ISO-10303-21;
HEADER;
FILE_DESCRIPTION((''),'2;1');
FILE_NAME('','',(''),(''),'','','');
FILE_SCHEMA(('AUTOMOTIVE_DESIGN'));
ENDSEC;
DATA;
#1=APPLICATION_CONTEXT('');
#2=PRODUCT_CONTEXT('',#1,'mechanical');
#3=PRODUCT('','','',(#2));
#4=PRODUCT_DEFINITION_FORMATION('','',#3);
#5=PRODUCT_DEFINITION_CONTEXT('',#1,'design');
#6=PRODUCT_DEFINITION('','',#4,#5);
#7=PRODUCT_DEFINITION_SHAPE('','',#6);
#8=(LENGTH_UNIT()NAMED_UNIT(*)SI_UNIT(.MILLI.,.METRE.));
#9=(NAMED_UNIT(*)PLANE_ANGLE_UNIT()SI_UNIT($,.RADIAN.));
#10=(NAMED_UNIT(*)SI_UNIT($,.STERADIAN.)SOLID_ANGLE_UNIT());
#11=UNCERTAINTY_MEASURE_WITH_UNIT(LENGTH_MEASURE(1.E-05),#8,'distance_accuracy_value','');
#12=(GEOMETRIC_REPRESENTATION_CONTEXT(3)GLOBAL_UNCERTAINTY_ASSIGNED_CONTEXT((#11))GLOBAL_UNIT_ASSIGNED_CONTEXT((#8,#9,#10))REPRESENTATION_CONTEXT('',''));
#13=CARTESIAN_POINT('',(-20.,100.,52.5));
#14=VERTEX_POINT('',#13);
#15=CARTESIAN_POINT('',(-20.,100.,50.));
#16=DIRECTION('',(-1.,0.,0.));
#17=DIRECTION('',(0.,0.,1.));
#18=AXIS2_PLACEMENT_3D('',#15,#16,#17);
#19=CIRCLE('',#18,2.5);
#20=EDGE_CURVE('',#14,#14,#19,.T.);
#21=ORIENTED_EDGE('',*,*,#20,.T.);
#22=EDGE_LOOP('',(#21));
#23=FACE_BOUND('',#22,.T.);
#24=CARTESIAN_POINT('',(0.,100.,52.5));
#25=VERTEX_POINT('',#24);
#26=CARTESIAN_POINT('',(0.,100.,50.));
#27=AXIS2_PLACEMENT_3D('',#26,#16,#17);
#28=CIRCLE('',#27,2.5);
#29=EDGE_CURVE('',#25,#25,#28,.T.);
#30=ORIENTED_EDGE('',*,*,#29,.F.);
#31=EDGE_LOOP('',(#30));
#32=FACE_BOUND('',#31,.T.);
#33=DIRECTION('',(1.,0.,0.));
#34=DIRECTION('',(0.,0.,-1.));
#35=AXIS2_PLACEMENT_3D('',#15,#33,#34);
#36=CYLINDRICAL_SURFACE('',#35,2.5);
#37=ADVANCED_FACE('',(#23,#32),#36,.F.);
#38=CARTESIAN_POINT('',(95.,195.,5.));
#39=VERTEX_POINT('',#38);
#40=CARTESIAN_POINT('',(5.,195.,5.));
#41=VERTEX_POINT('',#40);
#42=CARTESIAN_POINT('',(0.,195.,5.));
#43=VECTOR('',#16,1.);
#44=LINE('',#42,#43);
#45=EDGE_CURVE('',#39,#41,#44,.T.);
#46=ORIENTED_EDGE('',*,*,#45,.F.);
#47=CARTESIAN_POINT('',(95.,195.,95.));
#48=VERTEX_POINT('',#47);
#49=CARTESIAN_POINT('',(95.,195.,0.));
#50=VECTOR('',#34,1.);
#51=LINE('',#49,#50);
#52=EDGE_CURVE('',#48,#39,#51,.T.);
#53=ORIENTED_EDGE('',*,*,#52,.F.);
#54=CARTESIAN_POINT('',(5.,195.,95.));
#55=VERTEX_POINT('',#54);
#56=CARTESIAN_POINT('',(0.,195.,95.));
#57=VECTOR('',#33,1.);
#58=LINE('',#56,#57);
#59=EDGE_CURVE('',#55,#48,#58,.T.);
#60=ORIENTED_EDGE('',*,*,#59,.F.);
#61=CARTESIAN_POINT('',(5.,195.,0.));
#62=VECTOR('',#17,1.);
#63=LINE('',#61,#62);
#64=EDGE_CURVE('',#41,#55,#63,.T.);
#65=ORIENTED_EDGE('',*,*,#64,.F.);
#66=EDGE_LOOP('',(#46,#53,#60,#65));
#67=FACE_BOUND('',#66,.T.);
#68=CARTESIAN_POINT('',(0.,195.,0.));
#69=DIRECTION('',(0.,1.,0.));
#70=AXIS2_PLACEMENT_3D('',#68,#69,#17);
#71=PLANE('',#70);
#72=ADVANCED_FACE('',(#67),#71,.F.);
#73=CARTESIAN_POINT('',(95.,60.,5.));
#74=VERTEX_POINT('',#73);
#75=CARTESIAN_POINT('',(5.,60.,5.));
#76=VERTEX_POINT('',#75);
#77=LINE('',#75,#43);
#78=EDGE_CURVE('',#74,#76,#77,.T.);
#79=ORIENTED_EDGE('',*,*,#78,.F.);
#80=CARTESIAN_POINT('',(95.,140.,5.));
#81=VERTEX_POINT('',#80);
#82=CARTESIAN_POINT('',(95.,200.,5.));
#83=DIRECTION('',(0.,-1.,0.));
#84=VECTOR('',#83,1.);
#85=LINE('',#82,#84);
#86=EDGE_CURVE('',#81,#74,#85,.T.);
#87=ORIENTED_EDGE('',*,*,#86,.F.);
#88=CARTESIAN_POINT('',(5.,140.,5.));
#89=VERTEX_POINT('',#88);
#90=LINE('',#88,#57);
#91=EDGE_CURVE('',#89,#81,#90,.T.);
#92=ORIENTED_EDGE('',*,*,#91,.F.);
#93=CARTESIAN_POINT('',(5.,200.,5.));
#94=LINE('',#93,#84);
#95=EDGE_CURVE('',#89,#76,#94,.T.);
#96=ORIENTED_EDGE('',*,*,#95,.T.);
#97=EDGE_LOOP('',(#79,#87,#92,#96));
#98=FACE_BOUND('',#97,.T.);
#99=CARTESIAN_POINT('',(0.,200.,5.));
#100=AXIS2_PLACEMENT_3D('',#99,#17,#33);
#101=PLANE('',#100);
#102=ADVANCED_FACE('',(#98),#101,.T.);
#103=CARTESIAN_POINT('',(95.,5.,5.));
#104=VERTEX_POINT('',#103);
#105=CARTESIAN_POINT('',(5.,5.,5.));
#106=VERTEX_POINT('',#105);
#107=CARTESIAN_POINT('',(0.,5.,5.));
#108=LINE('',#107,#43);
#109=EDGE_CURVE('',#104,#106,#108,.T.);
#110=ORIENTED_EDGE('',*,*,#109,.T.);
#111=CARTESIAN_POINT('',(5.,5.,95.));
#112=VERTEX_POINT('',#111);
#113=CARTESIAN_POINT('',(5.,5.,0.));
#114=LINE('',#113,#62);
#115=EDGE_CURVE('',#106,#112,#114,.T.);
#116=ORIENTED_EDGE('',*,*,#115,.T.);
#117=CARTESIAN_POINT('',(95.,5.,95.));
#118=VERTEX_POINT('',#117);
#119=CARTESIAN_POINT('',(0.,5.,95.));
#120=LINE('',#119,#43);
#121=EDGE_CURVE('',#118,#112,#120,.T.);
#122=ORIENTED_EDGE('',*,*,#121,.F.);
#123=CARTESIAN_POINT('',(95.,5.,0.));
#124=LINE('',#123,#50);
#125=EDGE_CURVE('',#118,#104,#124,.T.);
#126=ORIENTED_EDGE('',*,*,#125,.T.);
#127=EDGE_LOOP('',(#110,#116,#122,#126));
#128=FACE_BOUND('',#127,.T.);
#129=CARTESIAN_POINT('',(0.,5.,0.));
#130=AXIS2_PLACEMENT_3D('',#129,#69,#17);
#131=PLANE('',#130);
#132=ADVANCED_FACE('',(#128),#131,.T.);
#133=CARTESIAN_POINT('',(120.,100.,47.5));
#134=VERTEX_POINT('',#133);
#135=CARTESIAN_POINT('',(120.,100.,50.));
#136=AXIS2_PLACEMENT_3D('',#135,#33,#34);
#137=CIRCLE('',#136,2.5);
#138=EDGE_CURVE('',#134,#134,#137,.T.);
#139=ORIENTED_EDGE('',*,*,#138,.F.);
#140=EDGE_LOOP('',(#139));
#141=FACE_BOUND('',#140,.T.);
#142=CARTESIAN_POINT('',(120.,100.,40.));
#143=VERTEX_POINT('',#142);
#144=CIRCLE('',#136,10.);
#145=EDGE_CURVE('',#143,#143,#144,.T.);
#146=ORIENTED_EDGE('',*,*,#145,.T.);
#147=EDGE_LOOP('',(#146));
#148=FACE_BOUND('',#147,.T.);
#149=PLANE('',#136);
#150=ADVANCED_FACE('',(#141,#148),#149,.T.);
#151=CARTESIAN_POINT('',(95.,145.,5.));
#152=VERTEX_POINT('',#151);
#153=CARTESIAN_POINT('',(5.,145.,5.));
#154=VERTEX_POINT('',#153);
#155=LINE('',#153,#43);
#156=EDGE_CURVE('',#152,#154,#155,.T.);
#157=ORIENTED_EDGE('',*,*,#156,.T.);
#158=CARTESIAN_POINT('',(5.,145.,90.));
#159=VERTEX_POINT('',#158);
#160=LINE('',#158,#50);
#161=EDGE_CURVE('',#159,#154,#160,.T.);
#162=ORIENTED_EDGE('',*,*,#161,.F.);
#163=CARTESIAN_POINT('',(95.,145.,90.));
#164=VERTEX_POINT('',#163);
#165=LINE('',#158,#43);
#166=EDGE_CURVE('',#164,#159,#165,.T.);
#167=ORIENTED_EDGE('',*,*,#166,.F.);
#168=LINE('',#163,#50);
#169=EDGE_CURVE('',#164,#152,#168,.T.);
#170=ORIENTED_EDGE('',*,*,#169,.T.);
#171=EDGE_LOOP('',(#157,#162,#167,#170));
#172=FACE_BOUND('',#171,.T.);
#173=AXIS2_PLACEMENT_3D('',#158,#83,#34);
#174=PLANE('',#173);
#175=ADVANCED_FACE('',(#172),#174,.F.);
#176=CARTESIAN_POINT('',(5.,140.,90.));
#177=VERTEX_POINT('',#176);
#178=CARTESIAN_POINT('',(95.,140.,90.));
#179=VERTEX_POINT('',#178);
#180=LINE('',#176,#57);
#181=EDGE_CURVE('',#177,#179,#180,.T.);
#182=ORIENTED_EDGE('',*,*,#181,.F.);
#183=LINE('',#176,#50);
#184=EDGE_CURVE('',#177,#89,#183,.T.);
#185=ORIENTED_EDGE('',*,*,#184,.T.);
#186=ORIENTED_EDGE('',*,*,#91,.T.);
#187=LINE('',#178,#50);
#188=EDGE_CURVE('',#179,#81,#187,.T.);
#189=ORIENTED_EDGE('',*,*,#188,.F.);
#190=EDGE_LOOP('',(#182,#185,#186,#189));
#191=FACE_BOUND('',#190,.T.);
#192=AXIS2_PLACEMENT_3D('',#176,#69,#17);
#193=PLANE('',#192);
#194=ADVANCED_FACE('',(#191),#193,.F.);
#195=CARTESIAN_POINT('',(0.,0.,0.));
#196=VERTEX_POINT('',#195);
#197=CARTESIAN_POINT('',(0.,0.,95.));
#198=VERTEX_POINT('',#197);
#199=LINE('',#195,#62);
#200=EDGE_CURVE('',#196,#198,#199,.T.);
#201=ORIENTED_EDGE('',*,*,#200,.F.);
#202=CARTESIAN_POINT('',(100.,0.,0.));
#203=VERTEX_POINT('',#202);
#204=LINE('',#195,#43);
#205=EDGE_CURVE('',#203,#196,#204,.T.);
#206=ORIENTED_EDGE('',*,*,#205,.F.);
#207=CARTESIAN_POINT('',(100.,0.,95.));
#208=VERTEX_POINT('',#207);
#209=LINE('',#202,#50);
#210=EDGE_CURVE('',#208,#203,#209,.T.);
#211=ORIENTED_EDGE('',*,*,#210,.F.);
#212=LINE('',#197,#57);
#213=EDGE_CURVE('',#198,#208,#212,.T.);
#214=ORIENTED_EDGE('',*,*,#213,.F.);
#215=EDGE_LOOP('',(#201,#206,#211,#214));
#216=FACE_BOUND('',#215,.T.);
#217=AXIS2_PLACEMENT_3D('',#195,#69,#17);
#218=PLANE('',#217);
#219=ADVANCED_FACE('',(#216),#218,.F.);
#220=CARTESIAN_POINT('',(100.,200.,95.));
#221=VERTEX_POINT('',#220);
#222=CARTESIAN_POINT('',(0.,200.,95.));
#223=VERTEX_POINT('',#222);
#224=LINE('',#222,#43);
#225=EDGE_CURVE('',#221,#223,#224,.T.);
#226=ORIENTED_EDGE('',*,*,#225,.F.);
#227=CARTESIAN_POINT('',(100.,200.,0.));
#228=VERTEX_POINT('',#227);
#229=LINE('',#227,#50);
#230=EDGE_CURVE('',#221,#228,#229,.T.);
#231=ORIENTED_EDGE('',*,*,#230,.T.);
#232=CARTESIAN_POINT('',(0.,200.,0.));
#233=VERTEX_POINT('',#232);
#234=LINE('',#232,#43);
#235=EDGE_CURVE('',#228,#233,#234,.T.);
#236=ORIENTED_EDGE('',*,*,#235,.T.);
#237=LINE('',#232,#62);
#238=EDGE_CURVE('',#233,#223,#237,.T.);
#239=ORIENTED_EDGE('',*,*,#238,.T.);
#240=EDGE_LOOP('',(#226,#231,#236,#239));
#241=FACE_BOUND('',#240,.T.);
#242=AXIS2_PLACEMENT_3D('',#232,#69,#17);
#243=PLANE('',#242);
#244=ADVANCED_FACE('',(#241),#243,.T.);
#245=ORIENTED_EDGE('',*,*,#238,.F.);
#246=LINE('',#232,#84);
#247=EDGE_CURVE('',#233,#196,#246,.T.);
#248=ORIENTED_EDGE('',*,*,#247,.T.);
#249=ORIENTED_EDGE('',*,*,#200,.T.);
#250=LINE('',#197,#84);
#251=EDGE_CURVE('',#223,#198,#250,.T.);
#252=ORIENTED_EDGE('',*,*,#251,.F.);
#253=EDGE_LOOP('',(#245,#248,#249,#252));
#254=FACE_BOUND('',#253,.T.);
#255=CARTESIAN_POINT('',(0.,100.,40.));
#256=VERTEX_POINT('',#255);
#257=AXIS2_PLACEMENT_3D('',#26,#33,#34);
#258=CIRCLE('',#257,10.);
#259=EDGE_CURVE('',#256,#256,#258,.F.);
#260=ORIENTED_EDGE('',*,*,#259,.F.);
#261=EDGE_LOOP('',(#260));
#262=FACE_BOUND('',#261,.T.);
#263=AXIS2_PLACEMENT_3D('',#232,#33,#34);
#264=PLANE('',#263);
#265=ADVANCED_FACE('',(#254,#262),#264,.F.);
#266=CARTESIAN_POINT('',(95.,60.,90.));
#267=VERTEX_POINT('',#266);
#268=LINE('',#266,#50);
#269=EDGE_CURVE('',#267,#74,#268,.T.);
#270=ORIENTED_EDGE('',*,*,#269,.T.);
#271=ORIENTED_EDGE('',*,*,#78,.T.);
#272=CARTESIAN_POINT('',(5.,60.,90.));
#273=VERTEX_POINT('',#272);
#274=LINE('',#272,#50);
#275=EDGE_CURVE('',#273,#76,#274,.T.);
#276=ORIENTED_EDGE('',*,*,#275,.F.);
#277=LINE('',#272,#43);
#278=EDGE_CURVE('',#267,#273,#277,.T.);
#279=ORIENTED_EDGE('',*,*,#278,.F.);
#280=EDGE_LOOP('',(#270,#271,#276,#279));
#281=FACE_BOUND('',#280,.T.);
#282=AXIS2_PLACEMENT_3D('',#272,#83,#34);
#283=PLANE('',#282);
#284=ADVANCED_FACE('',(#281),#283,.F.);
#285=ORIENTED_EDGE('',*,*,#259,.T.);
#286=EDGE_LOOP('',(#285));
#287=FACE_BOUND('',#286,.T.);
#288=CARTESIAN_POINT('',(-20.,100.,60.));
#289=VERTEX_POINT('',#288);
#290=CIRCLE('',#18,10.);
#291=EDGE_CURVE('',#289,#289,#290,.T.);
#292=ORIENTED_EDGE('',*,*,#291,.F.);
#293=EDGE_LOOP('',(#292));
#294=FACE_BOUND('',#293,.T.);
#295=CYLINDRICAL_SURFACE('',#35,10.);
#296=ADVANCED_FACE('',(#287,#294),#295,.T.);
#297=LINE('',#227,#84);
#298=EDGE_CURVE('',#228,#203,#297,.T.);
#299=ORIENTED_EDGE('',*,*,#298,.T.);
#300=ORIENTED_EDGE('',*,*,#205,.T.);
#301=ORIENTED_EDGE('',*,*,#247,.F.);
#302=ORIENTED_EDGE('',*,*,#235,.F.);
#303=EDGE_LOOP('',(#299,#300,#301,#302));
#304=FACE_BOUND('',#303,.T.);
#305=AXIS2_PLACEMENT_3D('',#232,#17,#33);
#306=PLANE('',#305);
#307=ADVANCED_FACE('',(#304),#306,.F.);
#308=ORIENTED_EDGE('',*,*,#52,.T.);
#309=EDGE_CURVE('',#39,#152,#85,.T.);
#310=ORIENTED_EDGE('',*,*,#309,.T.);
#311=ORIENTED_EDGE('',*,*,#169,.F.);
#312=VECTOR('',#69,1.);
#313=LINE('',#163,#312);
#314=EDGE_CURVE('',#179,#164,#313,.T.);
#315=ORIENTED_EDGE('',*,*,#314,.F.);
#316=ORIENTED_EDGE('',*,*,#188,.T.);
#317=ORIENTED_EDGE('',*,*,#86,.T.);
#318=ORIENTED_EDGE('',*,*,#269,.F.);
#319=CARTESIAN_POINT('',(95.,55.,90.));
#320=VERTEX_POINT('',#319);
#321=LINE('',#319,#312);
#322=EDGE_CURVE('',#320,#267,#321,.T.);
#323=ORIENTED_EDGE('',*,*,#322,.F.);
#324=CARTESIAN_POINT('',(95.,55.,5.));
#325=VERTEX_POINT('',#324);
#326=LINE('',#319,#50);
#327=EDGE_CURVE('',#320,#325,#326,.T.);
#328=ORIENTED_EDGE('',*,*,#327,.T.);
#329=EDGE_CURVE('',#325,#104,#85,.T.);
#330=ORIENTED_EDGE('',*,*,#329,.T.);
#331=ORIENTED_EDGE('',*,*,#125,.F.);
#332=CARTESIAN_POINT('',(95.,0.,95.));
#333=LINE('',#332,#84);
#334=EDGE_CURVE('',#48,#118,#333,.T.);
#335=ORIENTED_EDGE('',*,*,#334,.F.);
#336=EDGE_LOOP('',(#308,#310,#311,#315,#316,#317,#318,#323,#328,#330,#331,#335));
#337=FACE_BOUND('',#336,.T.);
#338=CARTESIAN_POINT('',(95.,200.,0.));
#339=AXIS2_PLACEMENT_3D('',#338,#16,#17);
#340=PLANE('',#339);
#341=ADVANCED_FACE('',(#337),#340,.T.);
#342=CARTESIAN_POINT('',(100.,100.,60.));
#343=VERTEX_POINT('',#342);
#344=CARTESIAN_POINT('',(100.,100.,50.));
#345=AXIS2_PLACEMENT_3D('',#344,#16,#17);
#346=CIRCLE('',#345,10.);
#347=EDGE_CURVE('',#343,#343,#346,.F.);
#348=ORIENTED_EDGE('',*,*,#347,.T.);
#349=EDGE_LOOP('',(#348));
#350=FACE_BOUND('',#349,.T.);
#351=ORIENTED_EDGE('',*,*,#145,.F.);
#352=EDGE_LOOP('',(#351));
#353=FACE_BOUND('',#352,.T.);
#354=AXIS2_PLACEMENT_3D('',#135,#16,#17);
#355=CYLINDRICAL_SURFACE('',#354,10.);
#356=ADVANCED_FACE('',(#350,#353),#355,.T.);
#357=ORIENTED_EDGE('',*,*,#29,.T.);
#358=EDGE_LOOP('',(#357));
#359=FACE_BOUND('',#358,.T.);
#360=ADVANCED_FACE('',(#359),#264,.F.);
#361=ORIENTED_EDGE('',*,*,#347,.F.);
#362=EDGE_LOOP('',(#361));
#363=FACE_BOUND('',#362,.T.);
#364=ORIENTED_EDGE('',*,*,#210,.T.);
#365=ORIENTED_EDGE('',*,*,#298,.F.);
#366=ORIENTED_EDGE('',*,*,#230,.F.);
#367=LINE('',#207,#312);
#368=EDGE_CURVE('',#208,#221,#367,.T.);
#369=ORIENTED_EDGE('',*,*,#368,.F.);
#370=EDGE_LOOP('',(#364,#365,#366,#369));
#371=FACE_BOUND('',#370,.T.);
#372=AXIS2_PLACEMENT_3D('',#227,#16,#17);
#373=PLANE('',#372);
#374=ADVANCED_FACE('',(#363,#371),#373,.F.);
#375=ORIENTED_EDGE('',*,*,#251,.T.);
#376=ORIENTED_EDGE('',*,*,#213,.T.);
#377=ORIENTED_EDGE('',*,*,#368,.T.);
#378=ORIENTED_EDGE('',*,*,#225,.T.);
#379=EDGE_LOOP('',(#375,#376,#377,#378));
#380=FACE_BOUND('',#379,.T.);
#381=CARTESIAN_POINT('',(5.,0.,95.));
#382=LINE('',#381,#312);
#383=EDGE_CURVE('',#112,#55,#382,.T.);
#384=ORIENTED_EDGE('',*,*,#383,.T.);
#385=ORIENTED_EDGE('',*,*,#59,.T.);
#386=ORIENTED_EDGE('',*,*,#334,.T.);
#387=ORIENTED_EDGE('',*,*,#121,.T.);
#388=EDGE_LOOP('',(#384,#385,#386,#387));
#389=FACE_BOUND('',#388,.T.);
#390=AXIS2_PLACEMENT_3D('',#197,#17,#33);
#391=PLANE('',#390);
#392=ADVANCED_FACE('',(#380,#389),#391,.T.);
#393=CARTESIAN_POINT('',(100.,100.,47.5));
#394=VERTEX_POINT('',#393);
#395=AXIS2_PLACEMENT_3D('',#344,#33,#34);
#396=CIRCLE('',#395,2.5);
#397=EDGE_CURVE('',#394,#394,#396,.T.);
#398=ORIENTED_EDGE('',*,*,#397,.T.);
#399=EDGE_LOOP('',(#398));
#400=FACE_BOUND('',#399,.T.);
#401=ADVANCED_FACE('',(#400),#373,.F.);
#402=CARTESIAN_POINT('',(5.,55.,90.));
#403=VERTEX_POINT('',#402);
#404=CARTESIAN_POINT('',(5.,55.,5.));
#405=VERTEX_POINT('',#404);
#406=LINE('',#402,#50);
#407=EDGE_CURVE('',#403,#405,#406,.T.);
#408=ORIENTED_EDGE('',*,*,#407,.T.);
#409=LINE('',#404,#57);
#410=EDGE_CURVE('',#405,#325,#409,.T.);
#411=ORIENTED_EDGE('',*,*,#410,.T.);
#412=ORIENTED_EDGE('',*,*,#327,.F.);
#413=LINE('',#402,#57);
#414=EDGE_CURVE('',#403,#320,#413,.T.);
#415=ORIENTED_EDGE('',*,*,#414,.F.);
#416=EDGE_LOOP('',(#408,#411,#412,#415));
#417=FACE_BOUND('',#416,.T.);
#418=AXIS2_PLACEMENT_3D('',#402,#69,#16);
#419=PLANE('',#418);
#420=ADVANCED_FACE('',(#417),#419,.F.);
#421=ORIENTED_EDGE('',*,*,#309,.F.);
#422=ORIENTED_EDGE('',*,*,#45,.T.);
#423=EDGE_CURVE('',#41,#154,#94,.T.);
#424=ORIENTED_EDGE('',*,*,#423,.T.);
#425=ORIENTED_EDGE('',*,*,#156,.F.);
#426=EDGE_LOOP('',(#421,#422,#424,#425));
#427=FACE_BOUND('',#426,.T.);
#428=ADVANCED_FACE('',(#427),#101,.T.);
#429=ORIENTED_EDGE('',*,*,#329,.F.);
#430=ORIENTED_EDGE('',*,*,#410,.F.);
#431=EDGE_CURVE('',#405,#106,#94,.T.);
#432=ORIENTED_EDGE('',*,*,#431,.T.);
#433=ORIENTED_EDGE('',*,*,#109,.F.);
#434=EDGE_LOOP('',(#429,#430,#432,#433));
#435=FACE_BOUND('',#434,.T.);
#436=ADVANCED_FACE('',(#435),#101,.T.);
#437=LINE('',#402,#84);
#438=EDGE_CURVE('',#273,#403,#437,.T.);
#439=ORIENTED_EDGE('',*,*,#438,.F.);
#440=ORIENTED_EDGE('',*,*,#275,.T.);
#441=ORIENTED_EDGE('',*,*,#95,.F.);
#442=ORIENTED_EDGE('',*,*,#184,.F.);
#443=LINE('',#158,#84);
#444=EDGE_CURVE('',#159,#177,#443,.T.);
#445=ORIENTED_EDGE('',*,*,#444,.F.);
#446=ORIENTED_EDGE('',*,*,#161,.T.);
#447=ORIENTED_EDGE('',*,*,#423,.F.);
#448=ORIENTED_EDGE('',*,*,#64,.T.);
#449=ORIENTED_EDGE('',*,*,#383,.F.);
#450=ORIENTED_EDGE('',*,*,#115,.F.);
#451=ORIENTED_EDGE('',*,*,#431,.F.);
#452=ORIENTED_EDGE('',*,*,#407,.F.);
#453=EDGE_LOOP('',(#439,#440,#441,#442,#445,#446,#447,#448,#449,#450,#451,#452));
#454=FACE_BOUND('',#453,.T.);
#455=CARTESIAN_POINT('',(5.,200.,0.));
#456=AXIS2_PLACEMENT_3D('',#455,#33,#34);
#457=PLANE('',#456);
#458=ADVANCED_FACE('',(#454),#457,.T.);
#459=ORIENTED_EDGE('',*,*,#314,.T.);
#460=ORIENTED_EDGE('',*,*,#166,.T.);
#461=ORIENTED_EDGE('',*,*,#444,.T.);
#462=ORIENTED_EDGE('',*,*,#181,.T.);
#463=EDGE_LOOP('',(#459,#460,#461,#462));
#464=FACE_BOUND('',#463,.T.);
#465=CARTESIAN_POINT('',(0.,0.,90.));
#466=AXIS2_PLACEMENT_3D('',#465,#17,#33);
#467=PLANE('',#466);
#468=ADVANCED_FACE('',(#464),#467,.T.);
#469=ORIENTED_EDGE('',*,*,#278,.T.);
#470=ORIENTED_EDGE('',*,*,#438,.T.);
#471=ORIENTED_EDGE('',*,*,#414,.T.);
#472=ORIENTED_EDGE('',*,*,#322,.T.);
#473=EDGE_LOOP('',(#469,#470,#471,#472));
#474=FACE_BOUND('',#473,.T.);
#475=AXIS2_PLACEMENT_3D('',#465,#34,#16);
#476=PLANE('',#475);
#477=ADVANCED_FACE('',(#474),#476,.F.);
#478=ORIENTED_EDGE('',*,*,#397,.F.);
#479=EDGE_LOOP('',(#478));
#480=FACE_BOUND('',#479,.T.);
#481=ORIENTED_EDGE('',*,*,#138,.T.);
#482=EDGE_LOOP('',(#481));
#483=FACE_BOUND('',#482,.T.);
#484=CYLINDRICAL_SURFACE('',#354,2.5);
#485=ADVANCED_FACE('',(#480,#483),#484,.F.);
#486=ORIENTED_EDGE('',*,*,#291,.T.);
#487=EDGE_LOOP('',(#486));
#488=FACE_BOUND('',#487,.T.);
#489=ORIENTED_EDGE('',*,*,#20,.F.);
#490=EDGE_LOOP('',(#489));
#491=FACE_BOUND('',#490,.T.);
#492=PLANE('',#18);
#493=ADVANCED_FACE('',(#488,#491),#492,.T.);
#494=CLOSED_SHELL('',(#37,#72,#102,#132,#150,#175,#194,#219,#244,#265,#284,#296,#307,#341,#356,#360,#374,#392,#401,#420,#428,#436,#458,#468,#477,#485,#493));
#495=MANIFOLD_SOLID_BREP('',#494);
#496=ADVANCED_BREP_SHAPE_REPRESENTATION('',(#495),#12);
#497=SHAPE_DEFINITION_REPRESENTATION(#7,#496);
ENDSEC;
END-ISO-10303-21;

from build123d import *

# Parameters (mm, degrees)
SKETCH2_W           = 100
SKETCH2_H           = 100
BOSS_EXTRUDE1_DEPTH = 200
SHELL3_T            = -5
SKETCH3_W           = 90
SKETCH3_H           = 5
BOSS_EXTRUDE2_DEPTH = 85
SKETCH4_R           = 10
SKETCH4_R_2         = 2.5
BOSS_EXTRUDE3_DEPTH = 20
SKETCH5_R           = 10
SKETCH5_R_2         = 2.5
BOSS_EXTRUDE4_DEPTH = 20
SKETCH7_W           = 90
SKETCH7_H           = 5
CUT_EXTRUDE1_DEPTH  = 5


with BuildPart() as part:
    # Sketch2 → Boss-Extrude1 (new body)
    with BuildSketch(Plane(origin=(0, 0, 0), x_dir=(1, 0, 0), z_dir=(0, 1, 0))):
        with Locations((50, -50)):
            Rectangle(SKETCH2_W, SKETCH2_H)
    extrude(amount=BOSS_EXTRUDE1_DEPTH)

    # Shell3
    shell3_openings = [part.faces().sort_by_distance(p)[0] for p in [
        (50, 100, 100),
    ]]
    offset(amount=SHELL3_T, openings=shell3_openings, kind=Kind.INTERSECTION)

    # Sketch3 → Boss-Extrude2 (add)
    with BuildSketch(Plane.XY.offset(5)):
        with Locations((50, 57.5)):
            Rectangle(SKETCH3_W, SKETCH3_H)
        with Locations((50, 142.5)):
            Rectangle(SKETCH3_W, SKETCH3_H)
    extrude(amount=BOSS_EXTRUDE2_DEPTH)

    # Sketch4 → Boss-Extrude3 (add)
    with BuildSketch(Plane(origin=(100, 0, 0), x_dir=(0, 0, -1), z_dir=(1, 0, 0))):
        with Locations((-50, 100)):
            Circle(SKETCH4_R)
        with Locations((-50, 100)):
            Circle(SKETCH4_R_2, mode=Mode.SUBTRACT)
    extrude(amount=BOSS_EXTRUDE3_DEPTH)

    # Sketch5 → Boss-Extrude4 (add)
    with BuildSketch(Plane.ZY):
        with Locations((50, 100)):
            Circle(SKETCH5_R)
        with Locations((50, 100)):
            Circle(SKETCH5_R_2, mode=Mode.SUBTRACT)
    extrude(amount=BOSS_EXTRUDE4_DEPTH)

    # Sketch7 → Cut-Extrude1 (cut)
    with BuildSketch(Plane.XY.offset(100)):
        Polygon((95, 200), (0, 200), (0, 195), (5, 195), (95, 195), align=None)
        Polygon((100, 200), (95, 200), (95, 195), (95, 5), (95, 0), (100, 0), align=None)
        Polygon((5, 195), (0, 195), (0, 0), (5, 0), (5, 5), align=None)
        with Locations((50, 2.5)):
            Rectangle(SKETCH7_W, SKETCH7_H)
    extrude(amount=-CUT_EXTRUDE1_DEPTH, mode=Mode.SUBTRACT)


solid = part.part
